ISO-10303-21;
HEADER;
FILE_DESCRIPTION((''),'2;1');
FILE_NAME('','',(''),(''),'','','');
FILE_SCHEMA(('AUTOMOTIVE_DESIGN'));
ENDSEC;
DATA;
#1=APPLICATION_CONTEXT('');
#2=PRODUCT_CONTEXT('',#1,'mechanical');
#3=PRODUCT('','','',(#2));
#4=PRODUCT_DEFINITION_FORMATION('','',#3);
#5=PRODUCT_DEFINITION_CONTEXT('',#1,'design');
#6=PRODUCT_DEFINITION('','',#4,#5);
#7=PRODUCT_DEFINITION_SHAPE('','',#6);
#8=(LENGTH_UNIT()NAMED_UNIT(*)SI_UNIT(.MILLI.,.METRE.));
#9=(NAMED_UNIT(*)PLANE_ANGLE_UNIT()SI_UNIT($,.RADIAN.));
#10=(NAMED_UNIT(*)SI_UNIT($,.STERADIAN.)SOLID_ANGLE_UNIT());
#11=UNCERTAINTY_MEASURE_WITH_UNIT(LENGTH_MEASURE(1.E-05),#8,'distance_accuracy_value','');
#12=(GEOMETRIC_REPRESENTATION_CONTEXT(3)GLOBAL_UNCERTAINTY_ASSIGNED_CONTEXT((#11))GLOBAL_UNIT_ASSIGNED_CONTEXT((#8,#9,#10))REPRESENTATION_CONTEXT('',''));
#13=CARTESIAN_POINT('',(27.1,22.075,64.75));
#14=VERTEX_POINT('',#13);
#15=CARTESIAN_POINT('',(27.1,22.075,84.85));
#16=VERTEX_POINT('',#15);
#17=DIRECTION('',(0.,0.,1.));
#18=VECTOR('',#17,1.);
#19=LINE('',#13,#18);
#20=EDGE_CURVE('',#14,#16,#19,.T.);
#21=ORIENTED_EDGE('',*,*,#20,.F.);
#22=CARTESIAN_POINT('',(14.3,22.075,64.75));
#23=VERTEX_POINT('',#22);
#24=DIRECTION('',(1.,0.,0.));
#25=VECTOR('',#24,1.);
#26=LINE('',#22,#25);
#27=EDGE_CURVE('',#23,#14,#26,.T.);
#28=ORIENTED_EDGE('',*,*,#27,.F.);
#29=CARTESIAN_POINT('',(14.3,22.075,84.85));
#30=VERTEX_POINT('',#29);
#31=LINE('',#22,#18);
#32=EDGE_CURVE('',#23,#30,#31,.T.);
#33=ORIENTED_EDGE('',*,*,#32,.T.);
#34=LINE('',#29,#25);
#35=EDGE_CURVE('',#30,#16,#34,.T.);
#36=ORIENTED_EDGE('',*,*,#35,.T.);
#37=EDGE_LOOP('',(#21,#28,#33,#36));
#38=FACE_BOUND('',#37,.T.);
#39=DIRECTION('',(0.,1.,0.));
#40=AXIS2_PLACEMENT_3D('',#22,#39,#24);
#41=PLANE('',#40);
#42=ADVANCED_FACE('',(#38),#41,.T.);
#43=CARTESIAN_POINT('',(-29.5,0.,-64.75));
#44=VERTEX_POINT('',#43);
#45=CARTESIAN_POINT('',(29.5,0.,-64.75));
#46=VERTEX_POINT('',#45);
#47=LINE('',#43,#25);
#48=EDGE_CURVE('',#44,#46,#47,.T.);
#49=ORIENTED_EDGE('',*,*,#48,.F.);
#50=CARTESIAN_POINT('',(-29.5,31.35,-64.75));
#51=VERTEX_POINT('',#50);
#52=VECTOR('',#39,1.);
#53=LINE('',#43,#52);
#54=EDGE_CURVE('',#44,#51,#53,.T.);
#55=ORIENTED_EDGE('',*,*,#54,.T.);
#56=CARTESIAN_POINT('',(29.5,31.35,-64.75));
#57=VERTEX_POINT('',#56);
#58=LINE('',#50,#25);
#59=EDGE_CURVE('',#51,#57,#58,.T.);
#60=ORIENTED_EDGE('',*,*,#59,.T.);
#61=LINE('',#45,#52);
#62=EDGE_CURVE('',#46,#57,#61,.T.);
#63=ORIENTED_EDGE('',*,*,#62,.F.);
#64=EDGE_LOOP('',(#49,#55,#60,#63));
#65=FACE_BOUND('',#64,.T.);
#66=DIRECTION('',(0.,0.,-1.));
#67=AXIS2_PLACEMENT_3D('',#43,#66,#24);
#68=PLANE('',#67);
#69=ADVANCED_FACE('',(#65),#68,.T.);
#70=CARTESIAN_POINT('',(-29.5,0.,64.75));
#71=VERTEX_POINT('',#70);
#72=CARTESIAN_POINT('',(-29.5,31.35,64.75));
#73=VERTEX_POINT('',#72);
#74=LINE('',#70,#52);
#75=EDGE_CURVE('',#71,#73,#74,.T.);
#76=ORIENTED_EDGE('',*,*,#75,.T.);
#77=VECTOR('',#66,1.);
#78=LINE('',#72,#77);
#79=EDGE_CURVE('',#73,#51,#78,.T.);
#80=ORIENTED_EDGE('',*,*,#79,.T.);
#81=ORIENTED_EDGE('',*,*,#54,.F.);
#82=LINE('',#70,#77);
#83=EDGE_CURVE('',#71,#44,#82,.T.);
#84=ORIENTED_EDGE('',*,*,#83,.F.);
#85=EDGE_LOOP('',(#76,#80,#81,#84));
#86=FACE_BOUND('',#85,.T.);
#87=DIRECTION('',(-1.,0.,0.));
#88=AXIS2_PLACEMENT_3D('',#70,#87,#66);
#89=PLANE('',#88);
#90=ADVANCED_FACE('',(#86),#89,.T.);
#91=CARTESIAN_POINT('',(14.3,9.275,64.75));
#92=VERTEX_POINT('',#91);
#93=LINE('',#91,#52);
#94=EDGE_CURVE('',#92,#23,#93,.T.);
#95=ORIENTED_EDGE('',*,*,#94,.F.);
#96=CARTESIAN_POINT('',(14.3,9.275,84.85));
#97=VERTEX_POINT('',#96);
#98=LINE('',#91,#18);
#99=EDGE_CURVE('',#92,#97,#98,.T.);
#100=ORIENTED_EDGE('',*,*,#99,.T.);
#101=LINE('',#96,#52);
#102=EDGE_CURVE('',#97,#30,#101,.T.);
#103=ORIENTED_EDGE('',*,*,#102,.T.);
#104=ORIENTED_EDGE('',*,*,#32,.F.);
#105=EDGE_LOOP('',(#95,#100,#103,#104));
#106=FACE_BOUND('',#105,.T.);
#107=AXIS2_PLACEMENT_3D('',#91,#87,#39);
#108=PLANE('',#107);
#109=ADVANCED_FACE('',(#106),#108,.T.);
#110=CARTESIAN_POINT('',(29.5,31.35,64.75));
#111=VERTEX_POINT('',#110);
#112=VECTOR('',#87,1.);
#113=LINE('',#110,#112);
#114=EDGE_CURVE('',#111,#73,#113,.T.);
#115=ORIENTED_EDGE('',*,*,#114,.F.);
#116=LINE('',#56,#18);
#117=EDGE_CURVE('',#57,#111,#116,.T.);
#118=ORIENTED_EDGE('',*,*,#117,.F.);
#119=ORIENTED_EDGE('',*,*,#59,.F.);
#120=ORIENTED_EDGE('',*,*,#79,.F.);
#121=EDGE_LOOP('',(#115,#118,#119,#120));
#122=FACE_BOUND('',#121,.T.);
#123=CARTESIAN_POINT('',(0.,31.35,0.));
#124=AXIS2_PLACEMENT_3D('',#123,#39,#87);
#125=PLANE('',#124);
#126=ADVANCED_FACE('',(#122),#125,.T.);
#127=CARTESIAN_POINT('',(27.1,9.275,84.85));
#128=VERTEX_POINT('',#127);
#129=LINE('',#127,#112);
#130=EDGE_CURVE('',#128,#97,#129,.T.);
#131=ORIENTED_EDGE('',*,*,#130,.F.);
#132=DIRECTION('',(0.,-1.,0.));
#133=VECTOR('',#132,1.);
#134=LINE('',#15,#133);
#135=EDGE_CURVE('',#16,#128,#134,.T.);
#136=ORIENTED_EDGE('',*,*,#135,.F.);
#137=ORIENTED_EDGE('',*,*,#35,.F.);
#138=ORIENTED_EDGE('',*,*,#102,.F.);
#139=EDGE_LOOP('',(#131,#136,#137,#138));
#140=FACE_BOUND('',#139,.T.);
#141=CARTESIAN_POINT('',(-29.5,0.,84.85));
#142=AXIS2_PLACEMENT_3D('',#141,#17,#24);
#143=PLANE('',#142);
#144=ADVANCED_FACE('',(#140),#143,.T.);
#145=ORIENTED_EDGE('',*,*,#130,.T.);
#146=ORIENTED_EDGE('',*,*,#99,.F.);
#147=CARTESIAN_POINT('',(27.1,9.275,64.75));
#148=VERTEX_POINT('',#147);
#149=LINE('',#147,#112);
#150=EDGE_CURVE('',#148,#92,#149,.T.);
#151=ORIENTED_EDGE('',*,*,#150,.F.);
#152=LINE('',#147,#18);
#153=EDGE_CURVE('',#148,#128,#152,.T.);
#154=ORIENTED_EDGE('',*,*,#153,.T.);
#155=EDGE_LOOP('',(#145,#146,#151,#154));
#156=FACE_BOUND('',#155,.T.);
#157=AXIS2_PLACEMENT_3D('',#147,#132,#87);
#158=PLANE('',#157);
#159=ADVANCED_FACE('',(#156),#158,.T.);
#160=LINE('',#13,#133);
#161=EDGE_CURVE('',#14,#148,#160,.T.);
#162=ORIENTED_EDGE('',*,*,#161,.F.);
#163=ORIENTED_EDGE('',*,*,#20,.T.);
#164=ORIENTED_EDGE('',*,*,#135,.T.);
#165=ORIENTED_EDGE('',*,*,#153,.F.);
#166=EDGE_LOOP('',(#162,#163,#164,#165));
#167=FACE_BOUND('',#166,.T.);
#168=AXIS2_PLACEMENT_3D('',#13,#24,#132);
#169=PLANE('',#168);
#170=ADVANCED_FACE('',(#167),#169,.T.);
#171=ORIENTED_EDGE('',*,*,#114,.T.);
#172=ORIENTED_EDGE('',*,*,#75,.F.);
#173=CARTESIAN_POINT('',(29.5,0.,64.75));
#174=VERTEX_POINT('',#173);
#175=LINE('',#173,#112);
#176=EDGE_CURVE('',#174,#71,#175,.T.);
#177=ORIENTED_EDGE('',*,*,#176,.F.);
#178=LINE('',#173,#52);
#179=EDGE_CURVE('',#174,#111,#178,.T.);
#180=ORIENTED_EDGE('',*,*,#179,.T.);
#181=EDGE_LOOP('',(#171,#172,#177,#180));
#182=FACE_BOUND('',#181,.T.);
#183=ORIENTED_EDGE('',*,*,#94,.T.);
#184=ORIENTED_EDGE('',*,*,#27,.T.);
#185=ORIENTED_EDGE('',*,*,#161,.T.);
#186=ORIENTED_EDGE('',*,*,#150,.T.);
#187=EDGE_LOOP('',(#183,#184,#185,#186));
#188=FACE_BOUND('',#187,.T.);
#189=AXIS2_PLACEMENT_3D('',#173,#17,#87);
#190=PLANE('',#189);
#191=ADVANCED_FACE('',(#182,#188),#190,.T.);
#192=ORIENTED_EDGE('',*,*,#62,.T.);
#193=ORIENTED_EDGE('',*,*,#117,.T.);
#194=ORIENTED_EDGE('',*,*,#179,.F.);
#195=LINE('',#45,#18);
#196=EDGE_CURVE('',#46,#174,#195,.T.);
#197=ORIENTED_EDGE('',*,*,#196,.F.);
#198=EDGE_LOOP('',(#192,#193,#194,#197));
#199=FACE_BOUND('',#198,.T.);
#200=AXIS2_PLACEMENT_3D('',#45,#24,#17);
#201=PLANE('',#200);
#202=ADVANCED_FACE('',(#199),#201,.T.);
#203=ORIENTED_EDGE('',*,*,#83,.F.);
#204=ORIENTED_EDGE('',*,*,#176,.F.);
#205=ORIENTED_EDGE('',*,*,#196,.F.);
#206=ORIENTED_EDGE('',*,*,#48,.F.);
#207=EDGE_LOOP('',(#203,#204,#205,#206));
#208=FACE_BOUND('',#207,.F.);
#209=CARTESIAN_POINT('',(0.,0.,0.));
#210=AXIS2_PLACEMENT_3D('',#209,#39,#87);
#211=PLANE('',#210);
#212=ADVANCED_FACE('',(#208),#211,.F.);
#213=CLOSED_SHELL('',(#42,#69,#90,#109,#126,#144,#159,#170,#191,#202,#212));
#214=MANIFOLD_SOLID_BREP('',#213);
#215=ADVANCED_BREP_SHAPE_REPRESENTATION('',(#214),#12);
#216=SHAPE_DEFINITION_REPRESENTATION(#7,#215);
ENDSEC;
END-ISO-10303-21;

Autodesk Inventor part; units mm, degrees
ref_plane "YZ Plane" through (0, 0, 0) normal (1, 0, 0) x (0, 1, 0)
ref_plane "XZ Plane" through (0, 0, 0) normal (0, 1, 0) x (-1, 0, 0)
ref_plane "XY Plane" through (0, 0, 0) normal (0, 0, 1) x (1, 0, 0)
sketch "Sketch1" plane through (0, 0, 0) normal (0, 1, 0) x (-1, 0, 0)
  line L0 (-29.5, 64.75) -> (29.5, 64.75)
  line L1 (29.5, 64.75) -> (29.5, -64.75)
  line L2 (29.5, -64.75) -> (-29.5, -64.75)
  line L3 (-29.5, -64.75) -> (-29.5, 64.75)
  line L4 (-29.5, 64.75) -> (29.5, -64.75) construction
  line L5 (29.5, 64.75) -> (-29.5, -64.75) construction
  point P0 (0, 0)
  dimension "d0" = 129.5
  dimension "d1" = 59
extrude "Extrusion1" add sketch "Sketch1" along normal blind 31.35
sketch "Sketch2" plane through (-29.5, 0, 64.75) normal (0, 0, 1) x (1, 0, 0)
  line L0 (43.8, 22.075) -> (56.6, 22.075)
  line L1 (56.6, 22.075) -> (56.6, 9.275)
  line L2 (56.6, 9.275) -> (43.8, 9.275)
  line L3 (43.8, 9.275) -> (43.8, 22.075)
  line L4 (59, 0) -> (59, 31.35) projected
  point P0 (29.5, 0)
  point P1 (56.6, 15.675)
  point P2 (59, 15.675)
  dimension "d4" = 15.2
  dimension "d5" = 12.8
  dimension "d6" = 12.8
extrude "Extrusion2" add sketch "Sketch2" along normal blind 20.1
properties part number "Printer power brick"
